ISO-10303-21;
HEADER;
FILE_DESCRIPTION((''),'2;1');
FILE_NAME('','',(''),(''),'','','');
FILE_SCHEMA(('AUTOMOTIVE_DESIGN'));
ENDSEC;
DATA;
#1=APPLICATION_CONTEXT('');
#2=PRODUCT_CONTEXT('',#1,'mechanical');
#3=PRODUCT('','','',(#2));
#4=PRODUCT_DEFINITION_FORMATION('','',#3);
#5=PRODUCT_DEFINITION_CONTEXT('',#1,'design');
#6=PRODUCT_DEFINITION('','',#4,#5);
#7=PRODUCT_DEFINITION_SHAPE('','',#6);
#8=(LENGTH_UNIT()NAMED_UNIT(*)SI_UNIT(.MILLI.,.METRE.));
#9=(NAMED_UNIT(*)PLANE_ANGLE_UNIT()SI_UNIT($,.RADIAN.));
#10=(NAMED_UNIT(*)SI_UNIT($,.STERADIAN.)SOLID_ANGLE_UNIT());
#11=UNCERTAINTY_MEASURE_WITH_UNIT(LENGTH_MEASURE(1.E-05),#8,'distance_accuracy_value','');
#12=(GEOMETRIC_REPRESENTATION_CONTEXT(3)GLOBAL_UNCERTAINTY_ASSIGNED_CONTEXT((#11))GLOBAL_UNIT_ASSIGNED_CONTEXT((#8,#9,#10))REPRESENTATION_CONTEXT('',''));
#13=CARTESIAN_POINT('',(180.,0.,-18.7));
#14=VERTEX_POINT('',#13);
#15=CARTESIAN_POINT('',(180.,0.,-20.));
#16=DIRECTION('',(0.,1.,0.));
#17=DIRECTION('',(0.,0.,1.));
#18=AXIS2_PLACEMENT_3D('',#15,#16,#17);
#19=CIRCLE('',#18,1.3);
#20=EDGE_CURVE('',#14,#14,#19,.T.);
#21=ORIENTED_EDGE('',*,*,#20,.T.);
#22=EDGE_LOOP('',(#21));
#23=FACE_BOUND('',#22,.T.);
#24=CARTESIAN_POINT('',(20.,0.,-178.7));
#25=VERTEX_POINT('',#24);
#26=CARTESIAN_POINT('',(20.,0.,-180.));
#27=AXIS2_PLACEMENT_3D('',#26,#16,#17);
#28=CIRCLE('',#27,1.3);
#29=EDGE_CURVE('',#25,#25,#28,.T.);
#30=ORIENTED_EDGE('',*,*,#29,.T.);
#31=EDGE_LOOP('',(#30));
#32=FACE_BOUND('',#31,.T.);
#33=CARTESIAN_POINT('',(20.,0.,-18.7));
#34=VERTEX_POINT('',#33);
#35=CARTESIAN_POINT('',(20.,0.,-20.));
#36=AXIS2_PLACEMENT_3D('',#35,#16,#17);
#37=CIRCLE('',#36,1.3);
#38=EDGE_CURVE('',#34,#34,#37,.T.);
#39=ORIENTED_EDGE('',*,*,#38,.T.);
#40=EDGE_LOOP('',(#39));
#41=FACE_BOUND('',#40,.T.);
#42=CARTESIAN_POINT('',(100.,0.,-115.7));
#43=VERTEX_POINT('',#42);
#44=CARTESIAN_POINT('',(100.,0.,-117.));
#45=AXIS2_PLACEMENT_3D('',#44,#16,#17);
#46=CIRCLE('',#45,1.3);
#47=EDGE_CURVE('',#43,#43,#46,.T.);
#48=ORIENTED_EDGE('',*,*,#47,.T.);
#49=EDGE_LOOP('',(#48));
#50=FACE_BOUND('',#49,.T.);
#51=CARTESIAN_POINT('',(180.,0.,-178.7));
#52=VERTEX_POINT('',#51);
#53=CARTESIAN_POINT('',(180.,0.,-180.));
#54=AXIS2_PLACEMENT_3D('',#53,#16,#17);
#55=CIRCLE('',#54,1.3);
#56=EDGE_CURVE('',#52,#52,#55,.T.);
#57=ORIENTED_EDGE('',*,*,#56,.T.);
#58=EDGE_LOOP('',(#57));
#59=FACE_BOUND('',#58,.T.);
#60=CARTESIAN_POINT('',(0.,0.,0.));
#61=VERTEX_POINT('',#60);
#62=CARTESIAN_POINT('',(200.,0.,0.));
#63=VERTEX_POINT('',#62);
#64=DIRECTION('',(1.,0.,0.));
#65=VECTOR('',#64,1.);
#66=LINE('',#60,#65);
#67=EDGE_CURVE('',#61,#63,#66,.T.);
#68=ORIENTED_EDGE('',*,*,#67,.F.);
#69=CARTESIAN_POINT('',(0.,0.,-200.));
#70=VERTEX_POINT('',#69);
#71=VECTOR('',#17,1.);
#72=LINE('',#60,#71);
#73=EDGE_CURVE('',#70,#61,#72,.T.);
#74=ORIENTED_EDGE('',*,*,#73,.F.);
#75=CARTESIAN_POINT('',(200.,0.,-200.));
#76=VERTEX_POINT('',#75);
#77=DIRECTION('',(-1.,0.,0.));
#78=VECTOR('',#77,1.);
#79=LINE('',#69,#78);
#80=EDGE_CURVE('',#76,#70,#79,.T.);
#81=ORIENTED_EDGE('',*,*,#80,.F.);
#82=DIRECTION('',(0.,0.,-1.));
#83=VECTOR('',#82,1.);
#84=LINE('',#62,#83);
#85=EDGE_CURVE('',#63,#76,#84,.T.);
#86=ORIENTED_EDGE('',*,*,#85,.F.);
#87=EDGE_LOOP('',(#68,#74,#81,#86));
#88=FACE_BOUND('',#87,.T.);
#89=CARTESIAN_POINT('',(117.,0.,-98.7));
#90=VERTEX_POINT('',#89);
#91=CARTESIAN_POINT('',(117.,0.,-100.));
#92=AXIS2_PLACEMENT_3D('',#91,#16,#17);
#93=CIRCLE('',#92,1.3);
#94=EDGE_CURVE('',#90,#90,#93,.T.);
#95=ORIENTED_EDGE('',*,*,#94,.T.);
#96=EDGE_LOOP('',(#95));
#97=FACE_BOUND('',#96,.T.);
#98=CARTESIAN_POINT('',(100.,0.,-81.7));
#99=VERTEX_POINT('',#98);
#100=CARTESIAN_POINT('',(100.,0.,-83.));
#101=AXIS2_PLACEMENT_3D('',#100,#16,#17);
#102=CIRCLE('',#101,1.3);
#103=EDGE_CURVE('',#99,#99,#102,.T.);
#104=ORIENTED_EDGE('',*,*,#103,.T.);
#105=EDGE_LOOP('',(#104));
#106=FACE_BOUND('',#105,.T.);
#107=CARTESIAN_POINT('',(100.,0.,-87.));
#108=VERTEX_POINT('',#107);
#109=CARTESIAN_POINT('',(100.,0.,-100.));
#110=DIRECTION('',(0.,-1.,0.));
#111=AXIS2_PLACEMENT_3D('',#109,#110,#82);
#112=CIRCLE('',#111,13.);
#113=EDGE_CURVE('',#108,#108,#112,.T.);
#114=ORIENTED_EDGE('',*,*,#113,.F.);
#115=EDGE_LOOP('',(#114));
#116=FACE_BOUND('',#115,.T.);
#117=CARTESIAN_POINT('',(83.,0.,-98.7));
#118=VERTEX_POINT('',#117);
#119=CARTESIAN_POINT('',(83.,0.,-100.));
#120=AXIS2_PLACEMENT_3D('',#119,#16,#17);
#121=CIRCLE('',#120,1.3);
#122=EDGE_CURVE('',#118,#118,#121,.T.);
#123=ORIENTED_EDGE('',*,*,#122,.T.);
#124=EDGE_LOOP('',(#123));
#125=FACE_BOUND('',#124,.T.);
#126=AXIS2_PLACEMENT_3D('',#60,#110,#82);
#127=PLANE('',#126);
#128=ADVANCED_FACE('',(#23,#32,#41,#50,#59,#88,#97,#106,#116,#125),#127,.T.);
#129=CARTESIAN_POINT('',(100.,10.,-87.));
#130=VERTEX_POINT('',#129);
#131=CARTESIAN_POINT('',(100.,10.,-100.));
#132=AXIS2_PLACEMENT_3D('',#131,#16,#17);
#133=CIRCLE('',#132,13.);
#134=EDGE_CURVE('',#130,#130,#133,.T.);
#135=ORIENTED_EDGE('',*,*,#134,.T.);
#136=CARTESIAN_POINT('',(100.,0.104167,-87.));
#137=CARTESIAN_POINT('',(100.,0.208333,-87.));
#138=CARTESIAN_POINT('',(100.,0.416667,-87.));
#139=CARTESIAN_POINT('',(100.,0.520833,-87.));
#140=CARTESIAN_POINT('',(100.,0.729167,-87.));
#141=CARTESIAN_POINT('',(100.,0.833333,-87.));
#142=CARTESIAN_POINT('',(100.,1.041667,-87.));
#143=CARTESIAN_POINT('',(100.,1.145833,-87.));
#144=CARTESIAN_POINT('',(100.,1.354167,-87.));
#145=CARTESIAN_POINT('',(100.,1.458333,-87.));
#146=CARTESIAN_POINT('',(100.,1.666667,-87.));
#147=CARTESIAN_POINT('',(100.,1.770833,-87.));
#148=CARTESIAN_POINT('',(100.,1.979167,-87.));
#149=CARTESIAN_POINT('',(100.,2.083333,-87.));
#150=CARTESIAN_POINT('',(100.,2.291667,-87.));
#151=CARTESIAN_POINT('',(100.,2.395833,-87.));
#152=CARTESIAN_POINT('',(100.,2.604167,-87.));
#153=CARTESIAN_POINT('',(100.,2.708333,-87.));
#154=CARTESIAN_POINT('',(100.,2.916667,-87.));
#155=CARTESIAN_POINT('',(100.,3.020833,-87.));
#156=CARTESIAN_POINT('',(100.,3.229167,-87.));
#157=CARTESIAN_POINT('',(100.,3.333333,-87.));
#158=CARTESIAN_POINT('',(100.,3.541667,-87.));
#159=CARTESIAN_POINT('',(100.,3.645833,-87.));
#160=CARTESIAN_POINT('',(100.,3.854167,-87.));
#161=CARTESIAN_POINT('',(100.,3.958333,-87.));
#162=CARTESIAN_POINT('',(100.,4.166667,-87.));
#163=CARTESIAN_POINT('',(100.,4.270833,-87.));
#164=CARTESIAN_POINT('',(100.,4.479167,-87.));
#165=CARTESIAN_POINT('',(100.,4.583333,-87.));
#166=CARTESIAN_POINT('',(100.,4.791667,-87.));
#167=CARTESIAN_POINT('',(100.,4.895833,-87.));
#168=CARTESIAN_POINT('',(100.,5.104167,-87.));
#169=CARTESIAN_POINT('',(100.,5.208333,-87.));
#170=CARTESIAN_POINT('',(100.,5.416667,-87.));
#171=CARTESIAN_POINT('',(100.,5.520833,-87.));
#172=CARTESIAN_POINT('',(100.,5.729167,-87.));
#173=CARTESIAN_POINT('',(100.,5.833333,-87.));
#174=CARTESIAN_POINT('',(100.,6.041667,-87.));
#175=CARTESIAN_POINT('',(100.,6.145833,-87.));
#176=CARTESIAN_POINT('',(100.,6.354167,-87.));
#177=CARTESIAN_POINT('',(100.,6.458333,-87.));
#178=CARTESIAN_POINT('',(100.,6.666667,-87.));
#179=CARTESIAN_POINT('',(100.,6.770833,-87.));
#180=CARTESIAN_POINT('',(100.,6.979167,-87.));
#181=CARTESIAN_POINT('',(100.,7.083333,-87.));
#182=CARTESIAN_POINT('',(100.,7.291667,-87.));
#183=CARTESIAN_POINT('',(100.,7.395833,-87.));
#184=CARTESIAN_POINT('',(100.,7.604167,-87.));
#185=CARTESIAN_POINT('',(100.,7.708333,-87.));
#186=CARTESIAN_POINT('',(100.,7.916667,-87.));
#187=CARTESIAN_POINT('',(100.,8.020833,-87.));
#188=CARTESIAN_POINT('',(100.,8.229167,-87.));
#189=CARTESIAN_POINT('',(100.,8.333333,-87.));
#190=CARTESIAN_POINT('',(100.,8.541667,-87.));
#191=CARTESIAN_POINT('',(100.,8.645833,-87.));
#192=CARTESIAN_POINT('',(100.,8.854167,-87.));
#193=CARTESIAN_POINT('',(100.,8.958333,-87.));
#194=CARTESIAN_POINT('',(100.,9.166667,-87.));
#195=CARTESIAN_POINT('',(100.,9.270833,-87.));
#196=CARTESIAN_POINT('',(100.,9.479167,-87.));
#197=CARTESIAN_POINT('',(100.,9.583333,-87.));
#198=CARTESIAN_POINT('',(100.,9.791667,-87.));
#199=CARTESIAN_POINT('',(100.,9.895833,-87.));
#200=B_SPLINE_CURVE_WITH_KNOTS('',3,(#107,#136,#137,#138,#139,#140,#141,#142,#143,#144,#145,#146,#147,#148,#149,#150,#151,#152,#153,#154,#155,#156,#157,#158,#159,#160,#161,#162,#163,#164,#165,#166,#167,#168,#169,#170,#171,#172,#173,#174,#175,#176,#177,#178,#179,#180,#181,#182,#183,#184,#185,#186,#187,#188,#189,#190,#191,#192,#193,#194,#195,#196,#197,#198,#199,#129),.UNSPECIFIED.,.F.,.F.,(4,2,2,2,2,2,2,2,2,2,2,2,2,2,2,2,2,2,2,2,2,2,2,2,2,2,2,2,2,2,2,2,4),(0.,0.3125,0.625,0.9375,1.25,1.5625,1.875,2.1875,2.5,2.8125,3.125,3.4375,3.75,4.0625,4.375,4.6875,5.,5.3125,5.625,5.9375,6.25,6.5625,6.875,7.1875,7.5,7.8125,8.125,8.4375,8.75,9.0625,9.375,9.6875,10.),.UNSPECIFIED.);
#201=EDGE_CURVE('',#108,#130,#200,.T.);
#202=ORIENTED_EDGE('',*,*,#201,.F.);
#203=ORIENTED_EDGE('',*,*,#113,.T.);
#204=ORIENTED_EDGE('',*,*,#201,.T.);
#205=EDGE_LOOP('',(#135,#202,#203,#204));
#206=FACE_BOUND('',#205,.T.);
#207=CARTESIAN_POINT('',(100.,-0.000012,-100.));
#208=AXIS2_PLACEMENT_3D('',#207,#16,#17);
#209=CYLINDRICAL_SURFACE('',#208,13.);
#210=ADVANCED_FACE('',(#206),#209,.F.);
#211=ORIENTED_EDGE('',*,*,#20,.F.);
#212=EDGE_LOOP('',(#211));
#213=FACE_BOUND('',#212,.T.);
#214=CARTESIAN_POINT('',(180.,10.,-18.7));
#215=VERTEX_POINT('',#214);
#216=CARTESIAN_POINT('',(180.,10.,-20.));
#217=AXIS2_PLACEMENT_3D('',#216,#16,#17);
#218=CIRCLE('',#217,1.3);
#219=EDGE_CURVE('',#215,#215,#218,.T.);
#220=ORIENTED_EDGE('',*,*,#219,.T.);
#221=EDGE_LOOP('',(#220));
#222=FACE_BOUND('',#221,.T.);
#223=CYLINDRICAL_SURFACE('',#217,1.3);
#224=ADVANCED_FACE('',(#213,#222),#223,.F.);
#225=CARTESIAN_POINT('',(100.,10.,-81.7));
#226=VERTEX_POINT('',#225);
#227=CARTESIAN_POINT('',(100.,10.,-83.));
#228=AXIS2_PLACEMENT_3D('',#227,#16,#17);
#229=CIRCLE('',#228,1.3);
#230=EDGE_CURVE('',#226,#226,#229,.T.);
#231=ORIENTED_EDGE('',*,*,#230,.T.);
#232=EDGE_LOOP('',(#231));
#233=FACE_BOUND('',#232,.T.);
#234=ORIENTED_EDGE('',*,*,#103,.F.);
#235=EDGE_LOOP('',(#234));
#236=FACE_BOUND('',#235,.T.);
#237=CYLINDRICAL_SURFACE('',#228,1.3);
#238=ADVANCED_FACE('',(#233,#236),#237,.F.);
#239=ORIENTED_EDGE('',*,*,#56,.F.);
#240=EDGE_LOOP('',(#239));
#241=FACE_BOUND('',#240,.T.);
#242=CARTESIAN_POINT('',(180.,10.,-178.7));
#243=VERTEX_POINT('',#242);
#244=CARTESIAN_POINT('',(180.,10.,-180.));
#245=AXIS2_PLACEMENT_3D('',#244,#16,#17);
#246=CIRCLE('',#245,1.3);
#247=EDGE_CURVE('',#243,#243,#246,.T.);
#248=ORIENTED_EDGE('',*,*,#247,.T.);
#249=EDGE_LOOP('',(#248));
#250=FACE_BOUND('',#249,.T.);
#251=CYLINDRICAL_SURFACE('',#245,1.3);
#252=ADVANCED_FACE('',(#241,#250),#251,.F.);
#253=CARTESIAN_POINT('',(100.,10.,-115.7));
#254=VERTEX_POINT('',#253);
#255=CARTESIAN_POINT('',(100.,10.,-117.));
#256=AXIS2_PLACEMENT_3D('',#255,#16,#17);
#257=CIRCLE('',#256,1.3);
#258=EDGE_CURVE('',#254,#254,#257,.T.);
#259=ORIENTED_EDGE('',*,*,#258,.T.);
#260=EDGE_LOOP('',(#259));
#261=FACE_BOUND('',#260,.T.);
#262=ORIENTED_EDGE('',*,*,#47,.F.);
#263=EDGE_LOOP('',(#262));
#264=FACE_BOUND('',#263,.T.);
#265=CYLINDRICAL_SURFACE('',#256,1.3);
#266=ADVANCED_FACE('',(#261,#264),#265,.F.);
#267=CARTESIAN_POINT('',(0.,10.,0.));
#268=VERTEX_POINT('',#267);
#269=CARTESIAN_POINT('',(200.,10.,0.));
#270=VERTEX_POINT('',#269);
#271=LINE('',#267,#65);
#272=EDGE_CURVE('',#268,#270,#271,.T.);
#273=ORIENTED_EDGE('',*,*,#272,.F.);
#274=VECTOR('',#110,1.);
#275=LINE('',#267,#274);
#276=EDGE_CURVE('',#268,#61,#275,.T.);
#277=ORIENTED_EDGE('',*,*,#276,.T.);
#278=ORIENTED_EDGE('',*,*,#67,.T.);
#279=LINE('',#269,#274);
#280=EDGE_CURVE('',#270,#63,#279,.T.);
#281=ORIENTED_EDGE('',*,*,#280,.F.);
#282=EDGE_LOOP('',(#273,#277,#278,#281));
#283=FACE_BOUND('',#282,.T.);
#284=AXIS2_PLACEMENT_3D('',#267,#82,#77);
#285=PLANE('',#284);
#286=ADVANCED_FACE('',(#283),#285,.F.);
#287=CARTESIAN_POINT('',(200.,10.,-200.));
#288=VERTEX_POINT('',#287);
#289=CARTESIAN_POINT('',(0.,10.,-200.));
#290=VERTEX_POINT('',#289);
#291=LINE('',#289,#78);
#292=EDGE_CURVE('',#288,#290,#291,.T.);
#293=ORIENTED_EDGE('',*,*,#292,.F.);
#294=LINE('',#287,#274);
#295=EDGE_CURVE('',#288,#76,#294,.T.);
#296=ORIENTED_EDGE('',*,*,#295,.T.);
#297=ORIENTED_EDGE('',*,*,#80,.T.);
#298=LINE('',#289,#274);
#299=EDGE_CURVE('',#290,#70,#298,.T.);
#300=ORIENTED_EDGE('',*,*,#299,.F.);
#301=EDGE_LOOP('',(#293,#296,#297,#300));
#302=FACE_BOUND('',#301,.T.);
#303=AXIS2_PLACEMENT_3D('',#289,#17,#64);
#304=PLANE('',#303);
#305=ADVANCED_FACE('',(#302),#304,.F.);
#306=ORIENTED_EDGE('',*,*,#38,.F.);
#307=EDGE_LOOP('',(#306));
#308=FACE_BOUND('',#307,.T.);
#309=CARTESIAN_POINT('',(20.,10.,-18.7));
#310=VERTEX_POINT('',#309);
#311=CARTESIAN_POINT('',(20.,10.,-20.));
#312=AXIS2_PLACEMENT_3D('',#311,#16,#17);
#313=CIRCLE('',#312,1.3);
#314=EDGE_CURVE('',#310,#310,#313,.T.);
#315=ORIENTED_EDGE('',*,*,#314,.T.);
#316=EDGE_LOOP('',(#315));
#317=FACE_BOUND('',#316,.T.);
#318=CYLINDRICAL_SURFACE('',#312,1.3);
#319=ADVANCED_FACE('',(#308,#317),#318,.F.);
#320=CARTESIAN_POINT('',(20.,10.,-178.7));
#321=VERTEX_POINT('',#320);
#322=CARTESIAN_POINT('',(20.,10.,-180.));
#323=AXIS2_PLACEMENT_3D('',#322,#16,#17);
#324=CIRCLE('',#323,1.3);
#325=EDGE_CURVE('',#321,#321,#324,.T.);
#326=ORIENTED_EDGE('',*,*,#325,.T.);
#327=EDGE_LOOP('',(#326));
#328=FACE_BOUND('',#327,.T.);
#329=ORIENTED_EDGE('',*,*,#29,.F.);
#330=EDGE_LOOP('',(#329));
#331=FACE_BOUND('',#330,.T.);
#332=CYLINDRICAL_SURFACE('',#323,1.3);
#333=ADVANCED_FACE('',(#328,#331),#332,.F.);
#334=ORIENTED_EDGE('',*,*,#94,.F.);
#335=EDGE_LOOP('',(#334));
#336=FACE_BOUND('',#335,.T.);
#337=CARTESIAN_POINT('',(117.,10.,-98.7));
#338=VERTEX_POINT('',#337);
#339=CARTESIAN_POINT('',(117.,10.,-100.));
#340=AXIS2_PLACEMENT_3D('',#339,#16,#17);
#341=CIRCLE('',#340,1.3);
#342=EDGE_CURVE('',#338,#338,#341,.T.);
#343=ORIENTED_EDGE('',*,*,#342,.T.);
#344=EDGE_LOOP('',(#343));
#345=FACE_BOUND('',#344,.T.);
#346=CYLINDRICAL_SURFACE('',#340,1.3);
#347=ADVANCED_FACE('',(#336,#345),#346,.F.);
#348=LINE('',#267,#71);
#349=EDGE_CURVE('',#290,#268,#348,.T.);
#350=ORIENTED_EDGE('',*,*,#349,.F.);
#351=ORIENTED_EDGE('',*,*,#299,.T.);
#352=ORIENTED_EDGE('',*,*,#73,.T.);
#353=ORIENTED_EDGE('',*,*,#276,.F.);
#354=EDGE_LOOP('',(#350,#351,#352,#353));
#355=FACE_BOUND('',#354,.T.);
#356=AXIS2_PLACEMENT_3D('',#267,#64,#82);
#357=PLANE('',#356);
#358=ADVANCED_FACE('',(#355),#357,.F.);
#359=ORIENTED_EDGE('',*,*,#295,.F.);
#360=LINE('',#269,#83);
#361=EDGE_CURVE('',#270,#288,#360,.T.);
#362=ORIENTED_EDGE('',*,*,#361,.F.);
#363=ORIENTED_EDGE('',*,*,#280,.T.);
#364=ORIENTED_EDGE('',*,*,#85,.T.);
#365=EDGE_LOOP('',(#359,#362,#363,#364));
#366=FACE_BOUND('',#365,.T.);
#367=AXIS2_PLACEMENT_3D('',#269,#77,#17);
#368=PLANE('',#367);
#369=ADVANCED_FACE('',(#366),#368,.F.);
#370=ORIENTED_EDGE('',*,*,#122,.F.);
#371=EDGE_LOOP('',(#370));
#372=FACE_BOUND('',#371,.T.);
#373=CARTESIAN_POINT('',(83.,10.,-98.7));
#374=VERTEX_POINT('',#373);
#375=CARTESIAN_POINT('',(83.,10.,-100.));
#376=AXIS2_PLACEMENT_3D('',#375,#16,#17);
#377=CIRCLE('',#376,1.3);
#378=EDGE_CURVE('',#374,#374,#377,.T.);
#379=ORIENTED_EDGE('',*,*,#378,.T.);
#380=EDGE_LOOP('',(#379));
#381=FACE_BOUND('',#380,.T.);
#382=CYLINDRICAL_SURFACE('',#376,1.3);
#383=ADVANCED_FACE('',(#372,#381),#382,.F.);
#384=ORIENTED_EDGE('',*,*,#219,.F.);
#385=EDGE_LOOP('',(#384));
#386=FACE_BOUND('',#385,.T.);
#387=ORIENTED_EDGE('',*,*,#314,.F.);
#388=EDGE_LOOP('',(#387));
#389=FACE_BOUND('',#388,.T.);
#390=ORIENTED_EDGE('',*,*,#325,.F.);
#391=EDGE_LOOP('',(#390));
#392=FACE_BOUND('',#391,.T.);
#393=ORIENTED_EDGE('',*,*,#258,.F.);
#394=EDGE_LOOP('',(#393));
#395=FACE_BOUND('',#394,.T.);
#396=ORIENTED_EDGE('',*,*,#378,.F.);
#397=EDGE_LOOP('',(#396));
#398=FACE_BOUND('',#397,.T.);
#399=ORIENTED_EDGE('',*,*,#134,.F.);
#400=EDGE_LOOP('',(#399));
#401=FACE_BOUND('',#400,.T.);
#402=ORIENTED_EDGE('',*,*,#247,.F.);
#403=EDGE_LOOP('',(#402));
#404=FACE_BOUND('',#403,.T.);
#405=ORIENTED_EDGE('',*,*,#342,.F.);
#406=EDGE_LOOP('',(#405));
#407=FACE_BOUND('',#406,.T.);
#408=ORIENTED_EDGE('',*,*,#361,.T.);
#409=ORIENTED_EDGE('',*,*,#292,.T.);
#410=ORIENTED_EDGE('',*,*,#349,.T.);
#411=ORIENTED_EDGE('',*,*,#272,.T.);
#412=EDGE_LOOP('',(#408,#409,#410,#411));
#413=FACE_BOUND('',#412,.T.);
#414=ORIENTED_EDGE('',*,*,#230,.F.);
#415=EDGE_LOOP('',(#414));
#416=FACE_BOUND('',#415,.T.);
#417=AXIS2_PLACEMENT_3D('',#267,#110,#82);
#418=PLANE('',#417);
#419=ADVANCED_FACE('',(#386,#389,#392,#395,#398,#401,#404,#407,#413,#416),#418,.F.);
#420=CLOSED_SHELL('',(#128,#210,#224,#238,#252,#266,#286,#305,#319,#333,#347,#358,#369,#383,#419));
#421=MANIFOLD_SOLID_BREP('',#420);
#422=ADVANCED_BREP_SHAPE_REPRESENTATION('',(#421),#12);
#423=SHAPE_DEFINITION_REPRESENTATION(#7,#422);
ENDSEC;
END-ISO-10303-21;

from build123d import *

# Parameters (mm, degrees)
SKETCH1_W                   = 200
SKETCH1_H                   = 200
BOSS_EXTRUDE1_DEPTH         = 10
CUT_EXTRUDE2_DEPTH          = 284.019433962
CUT_EXTRUDE2_DEPTH_BACK     = 284.019433962
SKETCH2_R                   = 13
TAP_DRILL_FOR_M3X0_5_TAP1_D = 2.6


with BuildPart() as part:
    # Sketch1 → Boss-Extrude1 (new body)
    with BuildSketch(Plane(origin=(0, 0, 0), x_dir=(1, 0, 0), z_dir=(0, 1, 0))):
        with Locations((100, 100)):
            Rectangle(SKETCH1_W, SKETCH1_H)
    extrude(amount=BOSS_EXTRUDE1_DEPTH)

    # Sketch2 → Cut-Extrude2 (cut, two sides: drawn at the far end of the back side and taken through both)
    with BuildSketch(Plane(origin=(0, 0, 0), x_dir=(1, 0, 0), z_dir=(0, 1, 0)).offset(-CUT_EXTRUDE2_DEPTH_BACK)):
        with Locations(Location((100, 100, 0), (0, 0, 270))):
            Circle(SKETCH2_R)
    extrude(amount=CUT_EXTRUDE2_DEPTH + CUT_EXTRUDE2_DEPTH_BACK, mode=Mode.SUBTRACT)

    # Tap Drill for M3x0.5 Tap1 (through all)
    with Locations(Plane(origin=(0, 10, 0), x_dir=(1, 0, 0), z_dir=(0, 1, 0))):
        with Locations((20, 180), (180, 180), (180, 20), (20, 20), (100, 117), (117, 100), (100, 83), (83, 100)):
            Hole(TAP_DRILL_FOR_M3X0_5_TAP1_D / 2)


solid = part.part
